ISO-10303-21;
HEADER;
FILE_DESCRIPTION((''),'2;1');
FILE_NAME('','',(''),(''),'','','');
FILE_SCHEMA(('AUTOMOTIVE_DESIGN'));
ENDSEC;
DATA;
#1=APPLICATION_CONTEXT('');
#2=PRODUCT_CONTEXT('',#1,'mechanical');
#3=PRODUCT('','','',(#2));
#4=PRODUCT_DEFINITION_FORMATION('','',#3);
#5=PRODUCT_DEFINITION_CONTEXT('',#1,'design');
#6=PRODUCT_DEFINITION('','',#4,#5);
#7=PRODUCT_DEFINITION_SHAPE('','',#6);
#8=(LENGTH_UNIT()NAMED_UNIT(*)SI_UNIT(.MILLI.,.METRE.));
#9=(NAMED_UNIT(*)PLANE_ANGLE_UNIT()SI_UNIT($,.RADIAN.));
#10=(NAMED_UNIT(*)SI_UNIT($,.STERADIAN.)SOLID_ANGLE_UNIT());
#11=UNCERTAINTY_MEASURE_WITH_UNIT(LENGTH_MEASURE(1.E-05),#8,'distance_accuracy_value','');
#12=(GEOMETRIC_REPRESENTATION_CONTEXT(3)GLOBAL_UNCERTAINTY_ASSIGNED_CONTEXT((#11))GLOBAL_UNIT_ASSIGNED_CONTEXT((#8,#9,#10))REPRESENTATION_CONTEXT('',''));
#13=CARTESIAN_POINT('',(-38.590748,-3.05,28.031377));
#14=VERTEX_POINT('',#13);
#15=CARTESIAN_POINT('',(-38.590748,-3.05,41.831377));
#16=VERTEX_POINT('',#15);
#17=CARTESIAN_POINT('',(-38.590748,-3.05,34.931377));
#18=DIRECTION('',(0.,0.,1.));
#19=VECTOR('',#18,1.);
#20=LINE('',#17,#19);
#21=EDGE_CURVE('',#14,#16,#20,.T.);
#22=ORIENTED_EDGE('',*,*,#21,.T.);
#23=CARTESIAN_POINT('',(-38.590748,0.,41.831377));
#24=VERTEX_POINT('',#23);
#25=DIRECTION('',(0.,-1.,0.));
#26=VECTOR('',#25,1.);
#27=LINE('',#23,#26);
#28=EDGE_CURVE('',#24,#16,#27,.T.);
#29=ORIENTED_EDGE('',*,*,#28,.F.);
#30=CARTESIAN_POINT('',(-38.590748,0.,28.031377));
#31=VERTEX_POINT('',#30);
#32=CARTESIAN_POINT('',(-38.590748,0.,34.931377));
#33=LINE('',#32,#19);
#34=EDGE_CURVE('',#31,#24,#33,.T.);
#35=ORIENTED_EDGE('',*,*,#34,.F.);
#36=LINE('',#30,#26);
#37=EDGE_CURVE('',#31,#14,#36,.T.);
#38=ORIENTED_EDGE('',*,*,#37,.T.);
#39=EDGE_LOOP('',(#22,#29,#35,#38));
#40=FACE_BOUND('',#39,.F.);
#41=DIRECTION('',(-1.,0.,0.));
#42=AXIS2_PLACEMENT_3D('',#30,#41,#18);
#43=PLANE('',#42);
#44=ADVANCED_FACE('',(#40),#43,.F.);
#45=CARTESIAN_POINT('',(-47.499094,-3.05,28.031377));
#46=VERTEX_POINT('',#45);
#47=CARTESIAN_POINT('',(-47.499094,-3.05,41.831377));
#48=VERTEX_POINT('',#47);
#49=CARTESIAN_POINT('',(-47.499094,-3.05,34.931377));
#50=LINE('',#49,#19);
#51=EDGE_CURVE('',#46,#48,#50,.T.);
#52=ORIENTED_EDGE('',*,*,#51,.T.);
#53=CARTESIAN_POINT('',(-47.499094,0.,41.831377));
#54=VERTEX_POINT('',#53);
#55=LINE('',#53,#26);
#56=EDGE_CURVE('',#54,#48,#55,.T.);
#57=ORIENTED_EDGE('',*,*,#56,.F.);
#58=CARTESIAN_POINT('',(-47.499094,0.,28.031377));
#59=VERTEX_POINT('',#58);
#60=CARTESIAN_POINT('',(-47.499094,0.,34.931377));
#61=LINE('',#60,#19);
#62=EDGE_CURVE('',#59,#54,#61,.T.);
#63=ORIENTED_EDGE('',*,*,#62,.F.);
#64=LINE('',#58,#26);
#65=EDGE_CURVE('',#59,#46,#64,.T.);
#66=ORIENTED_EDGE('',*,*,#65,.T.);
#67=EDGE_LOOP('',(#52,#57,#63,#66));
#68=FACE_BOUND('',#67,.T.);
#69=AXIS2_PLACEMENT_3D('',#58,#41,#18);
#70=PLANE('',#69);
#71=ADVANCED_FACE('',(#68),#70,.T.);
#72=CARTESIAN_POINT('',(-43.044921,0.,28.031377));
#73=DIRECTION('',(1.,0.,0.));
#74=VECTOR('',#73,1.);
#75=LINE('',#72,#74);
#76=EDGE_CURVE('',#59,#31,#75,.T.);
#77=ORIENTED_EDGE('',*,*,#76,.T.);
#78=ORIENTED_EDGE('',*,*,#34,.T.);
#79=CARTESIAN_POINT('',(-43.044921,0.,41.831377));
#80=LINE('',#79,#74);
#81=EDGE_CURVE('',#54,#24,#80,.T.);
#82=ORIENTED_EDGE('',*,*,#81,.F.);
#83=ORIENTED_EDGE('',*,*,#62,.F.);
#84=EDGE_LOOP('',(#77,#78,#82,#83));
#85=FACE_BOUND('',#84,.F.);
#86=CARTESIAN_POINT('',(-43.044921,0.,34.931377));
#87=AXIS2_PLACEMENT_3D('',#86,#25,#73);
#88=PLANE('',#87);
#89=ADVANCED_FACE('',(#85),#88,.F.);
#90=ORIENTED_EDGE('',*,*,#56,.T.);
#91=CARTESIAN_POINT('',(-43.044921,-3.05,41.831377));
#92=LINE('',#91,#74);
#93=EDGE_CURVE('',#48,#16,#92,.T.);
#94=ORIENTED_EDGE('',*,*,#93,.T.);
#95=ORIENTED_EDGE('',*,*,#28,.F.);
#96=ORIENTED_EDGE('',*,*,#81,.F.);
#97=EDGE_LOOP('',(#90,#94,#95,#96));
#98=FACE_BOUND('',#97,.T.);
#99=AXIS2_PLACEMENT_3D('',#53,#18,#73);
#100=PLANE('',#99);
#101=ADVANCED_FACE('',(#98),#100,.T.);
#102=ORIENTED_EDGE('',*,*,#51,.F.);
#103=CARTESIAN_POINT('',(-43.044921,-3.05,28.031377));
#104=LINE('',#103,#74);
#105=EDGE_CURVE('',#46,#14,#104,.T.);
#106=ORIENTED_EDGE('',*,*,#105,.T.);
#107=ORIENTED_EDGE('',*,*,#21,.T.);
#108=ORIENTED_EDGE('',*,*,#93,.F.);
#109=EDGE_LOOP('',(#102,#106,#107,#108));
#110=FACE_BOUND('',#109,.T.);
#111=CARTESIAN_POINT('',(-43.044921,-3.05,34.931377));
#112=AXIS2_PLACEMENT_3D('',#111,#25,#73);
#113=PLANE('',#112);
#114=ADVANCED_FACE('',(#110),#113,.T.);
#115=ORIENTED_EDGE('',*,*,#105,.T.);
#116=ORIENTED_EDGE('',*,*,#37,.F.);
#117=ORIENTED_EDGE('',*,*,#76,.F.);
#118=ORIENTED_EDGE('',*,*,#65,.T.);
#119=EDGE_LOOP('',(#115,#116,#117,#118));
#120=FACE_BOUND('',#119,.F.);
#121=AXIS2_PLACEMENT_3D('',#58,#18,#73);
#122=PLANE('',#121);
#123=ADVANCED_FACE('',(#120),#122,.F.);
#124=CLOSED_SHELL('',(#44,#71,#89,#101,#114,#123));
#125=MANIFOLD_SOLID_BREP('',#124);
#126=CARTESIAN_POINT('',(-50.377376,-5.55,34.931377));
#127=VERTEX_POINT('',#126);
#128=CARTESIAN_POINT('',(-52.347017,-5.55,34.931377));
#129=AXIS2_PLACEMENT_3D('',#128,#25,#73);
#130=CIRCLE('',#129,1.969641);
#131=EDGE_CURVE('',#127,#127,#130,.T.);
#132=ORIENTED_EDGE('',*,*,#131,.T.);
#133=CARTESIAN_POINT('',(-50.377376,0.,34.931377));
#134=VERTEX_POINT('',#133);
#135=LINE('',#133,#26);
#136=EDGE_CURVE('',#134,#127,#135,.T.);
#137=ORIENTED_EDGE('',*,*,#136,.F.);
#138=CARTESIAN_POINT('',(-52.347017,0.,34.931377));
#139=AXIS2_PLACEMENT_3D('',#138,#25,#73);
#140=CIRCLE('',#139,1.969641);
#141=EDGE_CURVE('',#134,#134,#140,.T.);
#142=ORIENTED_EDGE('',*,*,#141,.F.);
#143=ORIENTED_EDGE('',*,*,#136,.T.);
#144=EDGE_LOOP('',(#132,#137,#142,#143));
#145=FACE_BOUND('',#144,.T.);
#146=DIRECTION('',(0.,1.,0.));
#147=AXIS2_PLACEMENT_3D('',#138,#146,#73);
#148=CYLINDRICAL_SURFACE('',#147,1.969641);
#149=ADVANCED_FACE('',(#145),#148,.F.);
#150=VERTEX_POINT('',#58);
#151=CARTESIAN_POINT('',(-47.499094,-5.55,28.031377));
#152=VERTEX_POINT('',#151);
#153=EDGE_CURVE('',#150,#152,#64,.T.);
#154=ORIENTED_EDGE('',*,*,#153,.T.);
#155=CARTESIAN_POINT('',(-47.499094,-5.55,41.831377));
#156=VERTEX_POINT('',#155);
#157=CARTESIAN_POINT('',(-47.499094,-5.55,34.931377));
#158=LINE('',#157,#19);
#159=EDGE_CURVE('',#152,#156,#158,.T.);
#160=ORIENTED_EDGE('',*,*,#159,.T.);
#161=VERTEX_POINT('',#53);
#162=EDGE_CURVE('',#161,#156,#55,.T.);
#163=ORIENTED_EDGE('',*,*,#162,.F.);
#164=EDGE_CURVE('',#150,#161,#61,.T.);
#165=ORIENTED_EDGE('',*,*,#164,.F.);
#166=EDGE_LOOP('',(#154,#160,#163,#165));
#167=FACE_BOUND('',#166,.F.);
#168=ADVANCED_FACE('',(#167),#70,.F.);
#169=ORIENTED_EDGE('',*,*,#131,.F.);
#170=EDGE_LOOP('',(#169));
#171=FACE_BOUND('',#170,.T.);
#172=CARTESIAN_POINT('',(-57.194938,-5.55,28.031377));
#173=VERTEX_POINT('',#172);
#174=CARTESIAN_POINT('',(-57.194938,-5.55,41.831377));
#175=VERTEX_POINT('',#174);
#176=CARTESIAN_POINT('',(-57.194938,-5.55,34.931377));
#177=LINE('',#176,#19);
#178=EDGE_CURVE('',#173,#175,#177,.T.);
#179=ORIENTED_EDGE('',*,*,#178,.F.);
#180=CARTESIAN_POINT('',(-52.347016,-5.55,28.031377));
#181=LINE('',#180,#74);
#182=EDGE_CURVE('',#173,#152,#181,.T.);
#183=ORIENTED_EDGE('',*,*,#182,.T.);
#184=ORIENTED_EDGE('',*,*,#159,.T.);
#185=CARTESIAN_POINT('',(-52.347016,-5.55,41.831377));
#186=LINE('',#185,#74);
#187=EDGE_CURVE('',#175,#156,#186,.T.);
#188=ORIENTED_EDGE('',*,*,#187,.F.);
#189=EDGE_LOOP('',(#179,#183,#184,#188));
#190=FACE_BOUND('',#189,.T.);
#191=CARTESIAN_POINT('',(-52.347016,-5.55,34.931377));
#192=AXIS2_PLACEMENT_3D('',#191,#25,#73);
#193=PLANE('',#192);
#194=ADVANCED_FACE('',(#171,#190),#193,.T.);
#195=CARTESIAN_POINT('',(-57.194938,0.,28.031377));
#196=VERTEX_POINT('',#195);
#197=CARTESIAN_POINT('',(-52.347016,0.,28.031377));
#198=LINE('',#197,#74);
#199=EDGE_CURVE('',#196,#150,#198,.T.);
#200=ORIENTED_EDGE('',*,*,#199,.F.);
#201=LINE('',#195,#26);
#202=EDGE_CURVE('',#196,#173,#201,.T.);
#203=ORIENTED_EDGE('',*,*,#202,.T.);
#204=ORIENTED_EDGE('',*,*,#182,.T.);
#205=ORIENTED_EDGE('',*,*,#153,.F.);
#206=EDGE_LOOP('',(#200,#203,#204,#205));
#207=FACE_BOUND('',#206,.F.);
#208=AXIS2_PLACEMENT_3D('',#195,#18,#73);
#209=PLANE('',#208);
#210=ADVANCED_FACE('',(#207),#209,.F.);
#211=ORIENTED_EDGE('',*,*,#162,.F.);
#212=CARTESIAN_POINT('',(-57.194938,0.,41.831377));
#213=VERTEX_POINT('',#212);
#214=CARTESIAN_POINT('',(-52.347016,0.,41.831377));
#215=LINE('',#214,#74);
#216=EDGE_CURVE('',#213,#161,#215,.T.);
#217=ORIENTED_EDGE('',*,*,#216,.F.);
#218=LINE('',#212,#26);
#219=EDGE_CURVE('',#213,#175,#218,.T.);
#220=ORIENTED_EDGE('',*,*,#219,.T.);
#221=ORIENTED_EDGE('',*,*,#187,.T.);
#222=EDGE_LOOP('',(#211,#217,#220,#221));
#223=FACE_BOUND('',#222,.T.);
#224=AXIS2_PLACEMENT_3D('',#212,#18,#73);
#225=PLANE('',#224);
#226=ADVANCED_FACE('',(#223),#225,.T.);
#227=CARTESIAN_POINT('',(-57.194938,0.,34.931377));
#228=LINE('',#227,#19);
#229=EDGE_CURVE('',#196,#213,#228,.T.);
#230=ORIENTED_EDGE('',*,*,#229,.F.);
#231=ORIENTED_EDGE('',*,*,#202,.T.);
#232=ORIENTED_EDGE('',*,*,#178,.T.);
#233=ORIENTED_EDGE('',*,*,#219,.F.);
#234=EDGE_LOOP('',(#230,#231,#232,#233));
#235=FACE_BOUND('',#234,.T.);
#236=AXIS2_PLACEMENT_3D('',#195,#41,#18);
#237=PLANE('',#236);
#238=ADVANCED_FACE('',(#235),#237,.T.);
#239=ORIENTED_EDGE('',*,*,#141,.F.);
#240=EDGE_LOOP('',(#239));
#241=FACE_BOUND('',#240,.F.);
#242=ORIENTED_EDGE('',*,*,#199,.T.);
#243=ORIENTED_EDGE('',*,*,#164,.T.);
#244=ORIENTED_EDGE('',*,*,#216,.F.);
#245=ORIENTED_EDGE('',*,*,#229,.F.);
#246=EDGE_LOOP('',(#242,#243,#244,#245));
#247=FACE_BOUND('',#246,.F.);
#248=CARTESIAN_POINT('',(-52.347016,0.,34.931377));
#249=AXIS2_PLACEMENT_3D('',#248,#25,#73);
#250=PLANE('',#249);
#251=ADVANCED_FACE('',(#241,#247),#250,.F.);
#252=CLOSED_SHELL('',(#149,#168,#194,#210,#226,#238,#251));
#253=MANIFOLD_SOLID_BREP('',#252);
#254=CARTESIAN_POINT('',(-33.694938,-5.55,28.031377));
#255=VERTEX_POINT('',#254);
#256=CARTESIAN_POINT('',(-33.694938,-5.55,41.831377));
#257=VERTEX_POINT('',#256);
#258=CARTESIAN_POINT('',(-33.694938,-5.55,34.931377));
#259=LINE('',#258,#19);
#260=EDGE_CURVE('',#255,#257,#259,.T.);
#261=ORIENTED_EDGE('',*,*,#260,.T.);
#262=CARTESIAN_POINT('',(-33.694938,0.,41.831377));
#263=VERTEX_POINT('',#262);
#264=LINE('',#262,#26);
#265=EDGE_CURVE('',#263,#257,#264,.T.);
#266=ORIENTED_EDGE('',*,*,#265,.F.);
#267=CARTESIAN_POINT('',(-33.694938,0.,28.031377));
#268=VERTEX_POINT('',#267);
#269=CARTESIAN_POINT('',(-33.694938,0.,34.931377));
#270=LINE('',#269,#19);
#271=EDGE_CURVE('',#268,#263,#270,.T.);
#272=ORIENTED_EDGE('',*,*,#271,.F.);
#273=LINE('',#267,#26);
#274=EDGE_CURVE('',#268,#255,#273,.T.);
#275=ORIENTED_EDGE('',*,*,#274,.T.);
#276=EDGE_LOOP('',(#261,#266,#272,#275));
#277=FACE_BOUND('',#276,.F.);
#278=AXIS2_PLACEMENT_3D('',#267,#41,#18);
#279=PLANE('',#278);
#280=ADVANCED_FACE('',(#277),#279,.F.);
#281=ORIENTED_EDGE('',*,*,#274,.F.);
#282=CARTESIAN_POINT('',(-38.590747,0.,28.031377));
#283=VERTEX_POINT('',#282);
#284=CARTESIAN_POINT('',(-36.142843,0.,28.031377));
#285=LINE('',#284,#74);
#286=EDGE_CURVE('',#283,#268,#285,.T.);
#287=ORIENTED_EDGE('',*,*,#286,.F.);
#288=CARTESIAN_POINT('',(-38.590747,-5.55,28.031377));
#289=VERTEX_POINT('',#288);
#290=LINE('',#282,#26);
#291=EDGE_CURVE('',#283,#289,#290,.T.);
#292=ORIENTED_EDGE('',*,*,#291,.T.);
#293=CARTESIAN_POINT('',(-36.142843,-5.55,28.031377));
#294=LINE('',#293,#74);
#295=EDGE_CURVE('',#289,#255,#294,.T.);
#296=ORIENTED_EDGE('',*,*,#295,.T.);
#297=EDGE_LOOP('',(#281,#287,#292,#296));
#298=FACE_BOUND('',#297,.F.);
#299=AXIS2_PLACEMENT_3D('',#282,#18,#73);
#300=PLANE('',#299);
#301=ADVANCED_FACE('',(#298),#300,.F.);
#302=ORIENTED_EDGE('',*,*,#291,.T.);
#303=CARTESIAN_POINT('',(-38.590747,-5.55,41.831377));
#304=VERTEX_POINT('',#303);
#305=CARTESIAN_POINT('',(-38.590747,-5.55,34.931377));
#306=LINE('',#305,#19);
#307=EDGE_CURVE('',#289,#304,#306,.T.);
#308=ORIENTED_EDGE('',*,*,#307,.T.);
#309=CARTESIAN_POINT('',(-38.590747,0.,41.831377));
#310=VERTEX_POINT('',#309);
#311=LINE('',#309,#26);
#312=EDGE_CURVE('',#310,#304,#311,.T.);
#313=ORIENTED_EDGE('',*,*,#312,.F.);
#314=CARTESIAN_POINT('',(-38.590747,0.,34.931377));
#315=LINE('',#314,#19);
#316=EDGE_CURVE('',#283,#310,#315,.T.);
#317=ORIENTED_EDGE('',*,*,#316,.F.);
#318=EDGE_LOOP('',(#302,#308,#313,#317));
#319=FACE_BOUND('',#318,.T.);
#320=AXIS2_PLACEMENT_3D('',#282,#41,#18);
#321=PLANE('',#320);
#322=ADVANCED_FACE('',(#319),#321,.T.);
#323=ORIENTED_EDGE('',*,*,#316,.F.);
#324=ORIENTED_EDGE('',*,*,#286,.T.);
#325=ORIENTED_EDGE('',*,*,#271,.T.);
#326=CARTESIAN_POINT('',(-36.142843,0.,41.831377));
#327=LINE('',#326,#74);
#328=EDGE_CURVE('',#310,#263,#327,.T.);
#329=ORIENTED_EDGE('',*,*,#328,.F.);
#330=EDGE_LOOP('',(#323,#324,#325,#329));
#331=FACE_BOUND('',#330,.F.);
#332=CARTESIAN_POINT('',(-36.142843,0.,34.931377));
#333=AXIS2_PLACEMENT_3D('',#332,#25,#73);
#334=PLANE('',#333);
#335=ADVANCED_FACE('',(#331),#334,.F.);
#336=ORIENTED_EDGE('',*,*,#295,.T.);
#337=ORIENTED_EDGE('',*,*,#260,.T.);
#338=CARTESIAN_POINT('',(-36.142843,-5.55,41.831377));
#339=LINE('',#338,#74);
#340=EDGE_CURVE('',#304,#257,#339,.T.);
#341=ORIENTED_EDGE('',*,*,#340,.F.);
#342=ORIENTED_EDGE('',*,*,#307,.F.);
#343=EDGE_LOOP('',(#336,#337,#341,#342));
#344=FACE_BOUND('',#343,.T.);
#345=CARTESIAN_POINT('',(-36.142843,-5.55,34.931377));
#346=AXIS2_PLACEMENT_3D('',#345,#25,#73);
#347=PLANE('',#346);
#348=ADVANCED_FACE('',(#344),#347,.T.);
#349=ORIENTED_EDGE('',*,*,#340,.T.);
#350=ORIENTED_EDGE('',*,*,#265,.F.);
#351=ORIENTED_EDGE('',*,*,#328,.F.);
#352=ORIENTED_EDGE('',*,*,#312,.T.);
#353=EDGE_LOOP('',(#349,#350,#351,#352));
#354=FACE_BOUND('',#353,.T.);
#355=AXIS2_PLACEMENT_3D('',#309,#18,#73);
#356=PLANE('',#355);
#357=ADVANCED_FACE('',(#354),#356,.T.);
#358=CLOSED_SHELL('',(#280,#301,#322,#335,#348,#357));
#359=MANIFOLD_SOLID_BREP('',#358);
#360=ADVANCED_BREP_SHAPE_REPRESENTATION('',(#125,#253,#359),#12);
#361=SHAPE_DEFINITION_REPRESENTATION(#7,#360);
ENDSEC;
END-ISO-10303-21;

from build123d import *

# Parameters (mm, degrees)
F0_W     = 9.695845
F0_H     = 13.8
F0_R     = 1.969641
F0_W_2   = 4.895809
F1_DEPTH = 5.55
F0_W_3   = 8.908346
F2_DEPTH = 3.05


with BuildPart() as f1:
    # F0 (on Front) → F1 (new body)
    with BuildSketch(Plane.XZ):
        with Locations((-52.347016, 34.931377)):
            Rectangle(F0_W, F0_H)
        with Locations((-52.347017, 34.931377)):
            Circle(F0_R, mode=Mode.SUBTRACT)
        with Locations((-36.142843, 34.931377)):
            Rectangle(F0_W_2, F0_H)
    extrude(amount=F1_DEPTH)


with BuildPart() as f2:
    # F0 (on Front) → F2 (new body)
    with BuildSketch(Plane.XZ):
        with Locations((-43.044921, 34.931377)):
            Rectangle(F0_W_3, F0_H)
    extrude(amount=F2_DEPTH)


solid = Compound([f1.part, f2.part])
